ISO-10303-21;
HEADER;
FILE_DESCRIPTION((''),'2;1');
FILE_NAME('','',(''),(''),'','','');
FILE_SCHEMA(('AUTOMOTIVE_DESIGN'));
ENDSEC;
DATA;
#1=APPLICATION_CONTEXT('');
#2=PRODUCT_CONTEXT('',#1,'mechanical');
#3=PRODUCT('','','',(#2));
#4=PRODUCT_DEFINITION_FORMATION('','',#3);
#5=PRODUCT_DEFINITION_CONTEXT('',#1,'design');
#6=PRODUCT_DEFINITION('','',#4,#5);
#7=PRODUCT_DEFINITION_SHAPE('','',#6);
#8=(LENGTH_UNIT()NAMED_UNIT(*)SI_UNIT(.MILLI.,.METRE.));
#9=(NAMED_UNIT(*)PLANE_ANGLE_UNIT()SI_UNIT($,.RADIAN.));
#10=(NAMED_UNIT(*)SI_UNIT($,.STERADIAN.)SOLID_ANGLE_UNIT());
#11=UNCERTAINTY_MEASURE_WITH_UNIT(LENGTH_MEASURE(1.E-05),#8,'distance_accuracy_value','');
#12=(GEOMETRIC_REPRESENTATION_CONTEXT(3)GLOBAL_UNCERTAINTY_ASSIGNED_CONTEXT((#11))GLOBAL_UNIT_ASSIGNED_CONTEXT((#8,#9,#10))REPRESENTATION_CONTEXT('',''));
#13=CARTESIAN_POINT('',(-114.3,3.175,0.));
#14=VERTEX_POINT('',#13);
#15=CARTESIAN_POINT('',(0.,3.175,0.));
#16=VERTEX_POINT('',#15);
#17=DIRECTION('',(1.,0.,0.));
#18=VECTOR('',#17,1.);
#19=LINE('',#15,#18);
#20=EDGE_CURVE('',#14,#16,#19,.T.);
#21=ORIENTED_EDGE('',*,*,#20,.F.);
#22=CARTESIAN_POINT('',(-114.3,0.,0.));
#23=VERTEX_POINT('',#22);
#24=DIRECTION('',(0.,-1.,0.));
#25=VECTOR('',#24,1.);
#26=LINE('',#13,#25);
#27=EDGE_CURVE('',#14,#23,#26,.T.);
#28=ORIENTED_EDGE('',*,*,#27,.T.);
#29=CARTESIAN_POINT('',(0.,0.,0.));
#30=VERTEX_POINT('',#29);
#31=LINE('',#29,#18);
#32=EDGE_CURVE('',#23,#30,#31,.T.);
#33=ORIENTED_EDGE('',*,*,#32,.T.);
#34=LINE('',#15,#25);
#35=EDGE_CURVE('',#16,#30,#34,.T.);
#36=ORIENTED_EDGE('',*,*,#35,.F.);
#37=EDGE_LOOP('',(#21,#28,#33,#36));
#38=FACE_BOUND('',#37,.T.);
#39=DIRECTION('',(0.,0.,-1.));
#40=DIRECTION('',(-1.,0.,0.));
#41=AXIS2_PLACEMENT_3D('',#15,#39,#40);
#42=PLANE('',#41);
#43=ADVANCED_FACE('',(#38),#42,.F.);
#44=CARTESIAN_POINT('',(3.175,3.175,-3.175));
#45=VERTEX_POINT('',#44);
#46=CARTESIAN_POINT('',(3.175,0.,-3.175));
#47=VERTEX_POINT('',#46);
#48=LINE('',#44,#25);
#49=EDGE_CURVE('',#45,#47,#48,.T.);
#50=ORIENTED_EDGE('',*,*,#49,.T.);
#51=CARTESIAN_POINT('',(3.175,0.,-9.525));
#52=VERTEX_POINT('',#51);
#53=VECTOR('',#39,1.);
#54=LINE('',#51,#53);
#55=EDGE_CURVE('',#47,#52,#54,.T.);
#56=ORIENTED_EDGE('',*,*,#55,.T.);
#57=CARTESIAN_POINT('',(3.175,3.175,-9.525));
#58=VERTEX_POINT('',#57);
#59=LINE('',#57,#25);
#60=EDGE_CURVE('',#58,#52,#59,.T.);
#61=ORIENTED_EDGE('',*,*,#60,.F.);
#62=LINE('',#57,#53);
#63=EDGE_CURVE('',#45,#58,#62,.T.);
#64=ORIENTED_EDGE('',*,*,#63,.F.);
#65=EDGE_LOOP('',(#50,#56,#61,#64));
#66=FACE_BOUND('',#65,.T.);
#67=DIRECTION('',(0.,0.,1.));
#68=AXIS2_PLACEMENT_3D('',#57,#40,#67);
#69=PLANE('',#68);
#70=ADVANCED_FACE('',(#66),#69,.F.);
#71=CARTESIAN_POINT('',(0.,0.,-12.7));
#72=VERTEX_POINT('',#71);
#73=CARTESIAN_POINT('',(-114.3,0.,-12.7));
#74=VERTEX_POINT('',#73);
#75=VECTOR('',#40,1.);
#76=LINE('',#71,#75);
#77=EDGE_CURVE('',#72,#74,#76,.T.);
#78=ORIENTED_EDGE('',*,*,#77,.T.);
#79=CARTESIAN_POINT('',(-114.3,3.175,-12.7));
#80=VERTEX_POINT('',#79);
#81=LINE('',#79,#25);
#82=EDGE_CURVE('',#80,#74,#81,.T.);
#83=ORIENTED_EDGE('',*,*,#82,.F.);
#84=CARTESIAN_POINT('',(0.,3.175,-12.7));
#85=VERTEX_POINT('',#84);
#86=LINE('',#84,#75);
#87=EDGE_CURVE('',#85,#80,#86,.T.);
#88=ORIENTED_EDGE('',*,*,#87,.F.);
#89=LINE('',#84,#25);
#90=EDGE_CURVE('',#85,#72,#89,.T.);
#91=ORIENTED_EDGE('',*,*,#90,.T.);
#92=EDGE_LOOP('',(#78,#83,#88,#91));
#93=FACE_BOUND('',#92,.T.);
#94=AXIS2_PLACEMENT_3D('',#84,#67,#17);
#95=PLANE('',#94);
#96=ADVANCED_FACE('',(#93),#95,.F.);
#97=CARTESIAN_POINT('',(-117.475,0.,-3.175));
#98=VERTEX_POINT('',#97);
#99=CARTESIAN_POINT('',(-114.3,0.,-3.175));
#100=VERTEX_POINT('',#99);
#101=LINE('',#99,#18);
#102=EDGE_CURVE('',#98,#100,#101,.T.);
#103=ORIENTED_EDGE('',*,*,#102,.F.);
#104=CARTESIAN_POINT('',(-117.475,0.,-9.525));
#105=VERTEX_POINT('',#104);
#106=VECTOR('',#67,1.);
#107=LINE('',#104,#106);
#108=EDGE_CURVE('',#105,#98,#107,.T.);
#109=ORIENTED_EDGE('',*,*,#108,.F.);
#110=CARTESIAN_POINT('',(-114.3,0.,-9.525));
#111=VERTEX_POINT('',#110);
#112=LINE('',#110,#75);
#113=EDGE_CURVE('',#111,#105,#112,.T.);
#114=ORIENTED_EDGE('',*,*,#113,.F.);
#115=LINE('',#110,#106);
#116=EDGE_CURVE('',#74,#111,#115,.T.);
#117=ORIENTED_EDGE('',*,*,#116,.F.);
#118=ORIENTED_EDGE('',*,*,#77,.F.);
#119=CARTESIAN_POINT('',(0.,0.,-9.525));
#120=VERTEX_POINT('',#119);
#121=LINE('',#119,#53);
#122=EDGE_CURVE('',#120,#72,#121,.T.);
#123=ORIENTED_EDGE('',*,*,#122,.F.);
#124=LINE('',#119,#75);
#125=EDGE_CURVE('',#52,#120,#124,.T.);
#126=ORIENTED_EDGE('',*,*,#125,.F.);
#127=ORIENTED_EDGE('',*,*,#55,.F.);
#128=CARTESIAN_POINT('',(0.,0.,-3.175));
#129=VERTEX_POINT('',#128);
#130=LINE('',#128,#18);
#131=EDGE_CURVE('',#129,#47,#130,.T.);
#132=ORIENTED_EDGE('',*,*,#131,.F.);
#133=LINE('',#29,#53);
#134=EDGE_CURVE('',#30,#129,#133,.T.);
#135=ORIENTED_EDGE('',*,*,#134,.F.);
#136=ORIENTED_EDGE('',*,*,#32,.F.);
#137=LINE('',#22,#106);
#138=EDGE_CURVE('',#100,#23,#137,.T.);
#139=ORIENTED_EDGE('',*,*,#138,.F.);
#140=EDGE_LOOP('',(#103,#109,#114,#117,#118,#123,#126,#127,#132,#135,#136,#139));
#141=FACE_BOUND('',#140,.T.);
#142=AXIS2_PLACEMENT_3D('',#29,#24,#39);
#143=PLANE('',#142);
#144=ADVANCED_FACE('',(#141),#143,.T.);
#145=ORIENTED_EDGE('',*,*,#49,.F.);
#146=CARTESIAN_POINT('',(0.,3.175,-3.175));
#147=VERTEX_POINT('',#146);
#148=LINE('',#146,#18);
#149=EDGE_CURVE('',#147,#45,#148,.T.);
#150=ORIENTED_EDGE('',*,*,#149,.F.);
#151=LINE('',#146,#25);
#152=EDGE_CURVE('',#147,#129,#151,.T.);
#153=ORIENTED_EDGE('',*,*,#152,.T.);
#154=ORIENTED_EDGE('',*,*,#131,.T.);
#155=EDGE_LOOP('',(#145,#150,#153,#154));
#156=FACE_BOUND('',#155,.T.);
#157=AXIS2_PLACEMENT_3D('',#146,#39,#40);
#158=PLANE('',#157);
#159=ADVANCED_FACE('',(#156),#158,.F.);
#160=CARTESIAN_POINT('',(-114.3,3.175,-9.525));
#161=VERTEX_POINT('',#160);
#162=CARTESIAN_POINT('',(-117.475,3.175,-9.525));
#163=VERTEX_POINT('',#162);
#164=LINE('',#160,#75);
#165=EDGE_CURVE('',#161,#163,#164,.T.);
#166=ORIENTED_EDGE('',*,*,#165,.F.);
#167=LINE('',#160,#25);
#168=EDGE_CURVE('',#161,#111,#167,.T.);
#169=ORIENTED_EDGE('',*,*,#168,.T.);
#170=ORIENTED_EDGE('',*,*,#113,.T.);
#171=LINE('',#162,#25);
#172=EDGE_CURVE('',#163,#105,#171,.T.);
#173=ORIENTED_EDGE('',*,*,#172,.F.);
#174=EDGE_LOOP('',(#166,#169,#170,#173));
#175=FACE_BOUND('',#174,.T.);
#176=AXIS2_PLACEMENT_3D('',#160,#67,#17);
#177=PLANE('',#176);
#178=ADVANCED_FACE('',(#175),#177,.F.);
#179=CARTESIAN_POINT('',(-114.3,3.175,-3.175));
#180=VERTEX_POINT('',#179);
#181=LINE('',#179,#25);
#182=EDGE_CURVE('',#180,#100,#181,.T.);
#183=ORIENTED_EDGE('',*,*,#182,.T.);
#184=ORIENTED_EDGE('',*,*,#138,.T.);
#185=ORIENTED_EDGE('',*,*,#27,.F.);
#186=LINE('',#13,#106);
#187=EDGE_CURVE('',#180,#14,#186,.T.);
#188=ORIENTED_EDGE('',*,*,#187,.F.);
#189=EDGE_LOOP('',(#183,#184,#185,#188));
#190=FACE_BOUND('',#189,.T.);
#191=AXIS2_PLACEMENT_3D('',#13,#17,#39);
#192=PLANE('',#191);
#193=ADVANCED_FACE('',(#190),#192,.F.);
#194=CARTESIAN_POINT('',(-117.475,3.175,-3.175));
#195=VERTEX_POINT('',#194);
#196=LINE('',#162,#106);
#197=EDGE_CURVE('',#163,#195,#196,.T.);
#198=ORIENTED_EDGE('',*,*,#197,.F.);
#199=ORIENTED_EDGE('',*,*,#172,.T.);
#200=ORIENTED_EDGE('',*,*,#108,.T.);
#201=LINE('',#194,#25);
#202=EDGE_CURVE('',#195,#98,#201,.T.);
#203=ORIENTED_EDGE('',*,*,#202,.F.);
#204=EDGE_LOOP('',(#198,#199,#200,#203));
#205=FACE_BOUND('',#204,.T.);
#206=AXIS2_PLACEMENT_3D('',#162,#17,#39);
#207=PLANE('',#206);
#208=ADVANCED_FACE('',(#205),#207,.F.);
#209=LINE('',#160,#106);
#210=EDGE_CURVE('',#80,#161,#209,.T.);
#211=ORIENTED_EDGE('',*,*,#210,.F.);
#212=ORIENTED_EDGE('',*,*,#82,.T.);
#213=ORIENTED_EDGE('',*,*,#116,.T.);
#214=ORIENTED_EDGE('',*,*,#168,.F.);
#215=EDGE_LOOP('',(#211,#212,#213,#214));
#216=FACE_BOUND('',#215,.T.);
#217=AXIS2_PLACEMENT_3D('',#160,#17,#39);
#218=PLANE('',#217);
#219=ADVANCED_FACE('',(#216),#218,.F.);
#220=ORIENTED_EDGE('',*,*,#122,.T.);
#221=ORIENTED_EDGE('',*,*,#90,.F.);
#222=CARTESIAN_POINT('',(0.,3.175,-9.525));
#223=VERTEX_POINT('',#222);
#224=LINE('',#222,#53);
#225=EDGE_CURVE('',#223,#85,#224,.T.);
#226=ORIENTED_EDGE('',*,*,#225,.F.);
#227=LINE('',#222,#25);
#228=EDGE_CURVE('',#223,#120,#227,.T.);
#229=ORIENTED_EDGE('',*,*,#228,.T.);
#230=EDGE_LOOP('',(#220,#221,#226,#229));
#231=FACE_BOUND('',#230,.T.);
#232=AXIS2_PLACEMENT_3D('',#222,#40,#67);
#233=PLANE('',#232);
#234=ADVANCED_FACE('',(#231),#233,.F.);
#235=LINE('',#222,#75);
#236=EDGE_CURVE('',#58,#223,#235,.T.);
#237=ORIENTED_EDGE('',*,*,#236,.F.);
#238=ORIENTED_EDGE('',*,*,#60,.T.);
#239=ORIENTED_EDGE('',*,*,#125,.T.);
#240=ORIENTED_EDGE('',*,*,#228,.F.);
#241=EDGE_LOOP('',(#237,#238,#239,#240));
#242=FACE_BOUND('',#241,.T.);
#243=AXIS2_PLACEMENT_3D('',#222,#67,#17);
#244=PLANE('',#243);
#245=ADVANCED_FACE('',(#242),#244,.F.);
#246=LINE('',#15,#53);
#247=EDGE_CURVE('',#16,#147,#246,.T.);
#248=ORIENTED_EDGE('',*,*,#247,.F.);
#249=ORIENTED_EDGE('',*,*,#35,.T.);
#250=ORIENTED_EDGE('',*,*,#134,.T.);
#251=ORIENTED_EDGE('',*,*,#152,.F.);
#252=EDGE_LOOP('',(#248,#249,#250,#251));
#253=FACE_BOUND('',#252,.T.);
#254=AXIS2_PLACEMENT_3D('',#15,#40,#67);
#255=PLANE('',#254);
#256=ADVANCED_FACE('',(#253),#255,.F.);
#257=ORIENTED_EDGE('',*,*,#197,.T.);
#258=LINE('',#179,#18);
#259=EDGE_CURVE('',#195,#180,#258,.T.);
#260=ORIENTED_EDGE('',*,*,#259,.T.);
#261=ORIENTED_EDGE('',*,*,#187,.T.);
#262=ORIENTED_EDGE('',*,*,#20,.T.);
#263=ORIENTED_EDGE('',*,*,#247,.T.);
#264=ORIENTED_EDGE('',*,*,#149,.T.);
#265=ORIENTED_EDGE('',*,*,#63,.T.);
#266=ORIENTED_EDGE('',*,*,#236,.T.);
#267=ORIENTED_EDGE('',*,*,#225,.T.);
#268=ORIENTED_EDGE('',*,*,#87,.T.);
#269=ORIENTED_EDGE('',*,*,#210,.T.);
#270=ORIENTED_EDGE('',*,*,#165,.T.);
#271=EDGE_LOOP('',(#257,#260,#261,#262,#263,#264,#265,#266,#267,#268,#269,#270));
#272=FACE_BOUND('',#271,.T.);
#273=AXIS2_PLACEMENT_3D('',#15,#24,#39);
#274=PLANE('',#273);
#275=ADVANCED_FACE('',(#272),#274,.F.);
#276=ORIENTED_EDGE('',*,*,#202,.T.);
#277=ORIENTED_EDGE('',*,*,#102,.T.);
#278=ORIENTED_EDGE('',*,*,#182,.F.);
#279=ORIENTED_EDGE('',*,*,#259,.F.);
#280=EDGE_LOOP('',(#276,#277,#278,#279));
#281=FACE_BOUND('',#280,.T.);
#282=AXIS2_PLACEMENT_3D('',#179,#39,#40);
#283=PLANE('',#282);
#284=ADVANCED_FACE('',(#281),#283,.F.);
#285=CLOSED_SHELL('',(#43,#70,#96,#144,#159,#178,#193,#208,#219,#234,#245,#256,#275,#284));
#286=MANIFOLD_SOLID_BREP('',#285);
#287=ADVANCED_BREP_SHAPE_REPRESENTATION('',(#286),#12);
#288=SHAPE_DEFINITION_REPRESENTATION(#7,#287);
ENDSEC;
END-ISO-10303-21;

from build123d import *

# Parameters (mm, degrees)
BOSS_EXTRUDE1_DEPTH = 3.175


with BuildPart() as part:
    # Sketch1 → Boss-Extrude1 (new body)
    with BuildSketch(Plane(origin=(0, 0, 0), x_dir=(1, 0, 0), z_dir=(0, 1, 0))):
        Polygon((0, 0), (-114.3, 0), (-114.3, 3.175), (-117.475, 3.175), (-117.475, 9.525), (-114.3, 9.525), (-114.3, 12.7), (0, 12.7), (0, 9.525), (3.175, 9.525), (3.175, 3.175), (0, 3.175), align=None)
    extrude(amount=BOSS_EXTRUDE1_DEPTH)


solid = part.part
